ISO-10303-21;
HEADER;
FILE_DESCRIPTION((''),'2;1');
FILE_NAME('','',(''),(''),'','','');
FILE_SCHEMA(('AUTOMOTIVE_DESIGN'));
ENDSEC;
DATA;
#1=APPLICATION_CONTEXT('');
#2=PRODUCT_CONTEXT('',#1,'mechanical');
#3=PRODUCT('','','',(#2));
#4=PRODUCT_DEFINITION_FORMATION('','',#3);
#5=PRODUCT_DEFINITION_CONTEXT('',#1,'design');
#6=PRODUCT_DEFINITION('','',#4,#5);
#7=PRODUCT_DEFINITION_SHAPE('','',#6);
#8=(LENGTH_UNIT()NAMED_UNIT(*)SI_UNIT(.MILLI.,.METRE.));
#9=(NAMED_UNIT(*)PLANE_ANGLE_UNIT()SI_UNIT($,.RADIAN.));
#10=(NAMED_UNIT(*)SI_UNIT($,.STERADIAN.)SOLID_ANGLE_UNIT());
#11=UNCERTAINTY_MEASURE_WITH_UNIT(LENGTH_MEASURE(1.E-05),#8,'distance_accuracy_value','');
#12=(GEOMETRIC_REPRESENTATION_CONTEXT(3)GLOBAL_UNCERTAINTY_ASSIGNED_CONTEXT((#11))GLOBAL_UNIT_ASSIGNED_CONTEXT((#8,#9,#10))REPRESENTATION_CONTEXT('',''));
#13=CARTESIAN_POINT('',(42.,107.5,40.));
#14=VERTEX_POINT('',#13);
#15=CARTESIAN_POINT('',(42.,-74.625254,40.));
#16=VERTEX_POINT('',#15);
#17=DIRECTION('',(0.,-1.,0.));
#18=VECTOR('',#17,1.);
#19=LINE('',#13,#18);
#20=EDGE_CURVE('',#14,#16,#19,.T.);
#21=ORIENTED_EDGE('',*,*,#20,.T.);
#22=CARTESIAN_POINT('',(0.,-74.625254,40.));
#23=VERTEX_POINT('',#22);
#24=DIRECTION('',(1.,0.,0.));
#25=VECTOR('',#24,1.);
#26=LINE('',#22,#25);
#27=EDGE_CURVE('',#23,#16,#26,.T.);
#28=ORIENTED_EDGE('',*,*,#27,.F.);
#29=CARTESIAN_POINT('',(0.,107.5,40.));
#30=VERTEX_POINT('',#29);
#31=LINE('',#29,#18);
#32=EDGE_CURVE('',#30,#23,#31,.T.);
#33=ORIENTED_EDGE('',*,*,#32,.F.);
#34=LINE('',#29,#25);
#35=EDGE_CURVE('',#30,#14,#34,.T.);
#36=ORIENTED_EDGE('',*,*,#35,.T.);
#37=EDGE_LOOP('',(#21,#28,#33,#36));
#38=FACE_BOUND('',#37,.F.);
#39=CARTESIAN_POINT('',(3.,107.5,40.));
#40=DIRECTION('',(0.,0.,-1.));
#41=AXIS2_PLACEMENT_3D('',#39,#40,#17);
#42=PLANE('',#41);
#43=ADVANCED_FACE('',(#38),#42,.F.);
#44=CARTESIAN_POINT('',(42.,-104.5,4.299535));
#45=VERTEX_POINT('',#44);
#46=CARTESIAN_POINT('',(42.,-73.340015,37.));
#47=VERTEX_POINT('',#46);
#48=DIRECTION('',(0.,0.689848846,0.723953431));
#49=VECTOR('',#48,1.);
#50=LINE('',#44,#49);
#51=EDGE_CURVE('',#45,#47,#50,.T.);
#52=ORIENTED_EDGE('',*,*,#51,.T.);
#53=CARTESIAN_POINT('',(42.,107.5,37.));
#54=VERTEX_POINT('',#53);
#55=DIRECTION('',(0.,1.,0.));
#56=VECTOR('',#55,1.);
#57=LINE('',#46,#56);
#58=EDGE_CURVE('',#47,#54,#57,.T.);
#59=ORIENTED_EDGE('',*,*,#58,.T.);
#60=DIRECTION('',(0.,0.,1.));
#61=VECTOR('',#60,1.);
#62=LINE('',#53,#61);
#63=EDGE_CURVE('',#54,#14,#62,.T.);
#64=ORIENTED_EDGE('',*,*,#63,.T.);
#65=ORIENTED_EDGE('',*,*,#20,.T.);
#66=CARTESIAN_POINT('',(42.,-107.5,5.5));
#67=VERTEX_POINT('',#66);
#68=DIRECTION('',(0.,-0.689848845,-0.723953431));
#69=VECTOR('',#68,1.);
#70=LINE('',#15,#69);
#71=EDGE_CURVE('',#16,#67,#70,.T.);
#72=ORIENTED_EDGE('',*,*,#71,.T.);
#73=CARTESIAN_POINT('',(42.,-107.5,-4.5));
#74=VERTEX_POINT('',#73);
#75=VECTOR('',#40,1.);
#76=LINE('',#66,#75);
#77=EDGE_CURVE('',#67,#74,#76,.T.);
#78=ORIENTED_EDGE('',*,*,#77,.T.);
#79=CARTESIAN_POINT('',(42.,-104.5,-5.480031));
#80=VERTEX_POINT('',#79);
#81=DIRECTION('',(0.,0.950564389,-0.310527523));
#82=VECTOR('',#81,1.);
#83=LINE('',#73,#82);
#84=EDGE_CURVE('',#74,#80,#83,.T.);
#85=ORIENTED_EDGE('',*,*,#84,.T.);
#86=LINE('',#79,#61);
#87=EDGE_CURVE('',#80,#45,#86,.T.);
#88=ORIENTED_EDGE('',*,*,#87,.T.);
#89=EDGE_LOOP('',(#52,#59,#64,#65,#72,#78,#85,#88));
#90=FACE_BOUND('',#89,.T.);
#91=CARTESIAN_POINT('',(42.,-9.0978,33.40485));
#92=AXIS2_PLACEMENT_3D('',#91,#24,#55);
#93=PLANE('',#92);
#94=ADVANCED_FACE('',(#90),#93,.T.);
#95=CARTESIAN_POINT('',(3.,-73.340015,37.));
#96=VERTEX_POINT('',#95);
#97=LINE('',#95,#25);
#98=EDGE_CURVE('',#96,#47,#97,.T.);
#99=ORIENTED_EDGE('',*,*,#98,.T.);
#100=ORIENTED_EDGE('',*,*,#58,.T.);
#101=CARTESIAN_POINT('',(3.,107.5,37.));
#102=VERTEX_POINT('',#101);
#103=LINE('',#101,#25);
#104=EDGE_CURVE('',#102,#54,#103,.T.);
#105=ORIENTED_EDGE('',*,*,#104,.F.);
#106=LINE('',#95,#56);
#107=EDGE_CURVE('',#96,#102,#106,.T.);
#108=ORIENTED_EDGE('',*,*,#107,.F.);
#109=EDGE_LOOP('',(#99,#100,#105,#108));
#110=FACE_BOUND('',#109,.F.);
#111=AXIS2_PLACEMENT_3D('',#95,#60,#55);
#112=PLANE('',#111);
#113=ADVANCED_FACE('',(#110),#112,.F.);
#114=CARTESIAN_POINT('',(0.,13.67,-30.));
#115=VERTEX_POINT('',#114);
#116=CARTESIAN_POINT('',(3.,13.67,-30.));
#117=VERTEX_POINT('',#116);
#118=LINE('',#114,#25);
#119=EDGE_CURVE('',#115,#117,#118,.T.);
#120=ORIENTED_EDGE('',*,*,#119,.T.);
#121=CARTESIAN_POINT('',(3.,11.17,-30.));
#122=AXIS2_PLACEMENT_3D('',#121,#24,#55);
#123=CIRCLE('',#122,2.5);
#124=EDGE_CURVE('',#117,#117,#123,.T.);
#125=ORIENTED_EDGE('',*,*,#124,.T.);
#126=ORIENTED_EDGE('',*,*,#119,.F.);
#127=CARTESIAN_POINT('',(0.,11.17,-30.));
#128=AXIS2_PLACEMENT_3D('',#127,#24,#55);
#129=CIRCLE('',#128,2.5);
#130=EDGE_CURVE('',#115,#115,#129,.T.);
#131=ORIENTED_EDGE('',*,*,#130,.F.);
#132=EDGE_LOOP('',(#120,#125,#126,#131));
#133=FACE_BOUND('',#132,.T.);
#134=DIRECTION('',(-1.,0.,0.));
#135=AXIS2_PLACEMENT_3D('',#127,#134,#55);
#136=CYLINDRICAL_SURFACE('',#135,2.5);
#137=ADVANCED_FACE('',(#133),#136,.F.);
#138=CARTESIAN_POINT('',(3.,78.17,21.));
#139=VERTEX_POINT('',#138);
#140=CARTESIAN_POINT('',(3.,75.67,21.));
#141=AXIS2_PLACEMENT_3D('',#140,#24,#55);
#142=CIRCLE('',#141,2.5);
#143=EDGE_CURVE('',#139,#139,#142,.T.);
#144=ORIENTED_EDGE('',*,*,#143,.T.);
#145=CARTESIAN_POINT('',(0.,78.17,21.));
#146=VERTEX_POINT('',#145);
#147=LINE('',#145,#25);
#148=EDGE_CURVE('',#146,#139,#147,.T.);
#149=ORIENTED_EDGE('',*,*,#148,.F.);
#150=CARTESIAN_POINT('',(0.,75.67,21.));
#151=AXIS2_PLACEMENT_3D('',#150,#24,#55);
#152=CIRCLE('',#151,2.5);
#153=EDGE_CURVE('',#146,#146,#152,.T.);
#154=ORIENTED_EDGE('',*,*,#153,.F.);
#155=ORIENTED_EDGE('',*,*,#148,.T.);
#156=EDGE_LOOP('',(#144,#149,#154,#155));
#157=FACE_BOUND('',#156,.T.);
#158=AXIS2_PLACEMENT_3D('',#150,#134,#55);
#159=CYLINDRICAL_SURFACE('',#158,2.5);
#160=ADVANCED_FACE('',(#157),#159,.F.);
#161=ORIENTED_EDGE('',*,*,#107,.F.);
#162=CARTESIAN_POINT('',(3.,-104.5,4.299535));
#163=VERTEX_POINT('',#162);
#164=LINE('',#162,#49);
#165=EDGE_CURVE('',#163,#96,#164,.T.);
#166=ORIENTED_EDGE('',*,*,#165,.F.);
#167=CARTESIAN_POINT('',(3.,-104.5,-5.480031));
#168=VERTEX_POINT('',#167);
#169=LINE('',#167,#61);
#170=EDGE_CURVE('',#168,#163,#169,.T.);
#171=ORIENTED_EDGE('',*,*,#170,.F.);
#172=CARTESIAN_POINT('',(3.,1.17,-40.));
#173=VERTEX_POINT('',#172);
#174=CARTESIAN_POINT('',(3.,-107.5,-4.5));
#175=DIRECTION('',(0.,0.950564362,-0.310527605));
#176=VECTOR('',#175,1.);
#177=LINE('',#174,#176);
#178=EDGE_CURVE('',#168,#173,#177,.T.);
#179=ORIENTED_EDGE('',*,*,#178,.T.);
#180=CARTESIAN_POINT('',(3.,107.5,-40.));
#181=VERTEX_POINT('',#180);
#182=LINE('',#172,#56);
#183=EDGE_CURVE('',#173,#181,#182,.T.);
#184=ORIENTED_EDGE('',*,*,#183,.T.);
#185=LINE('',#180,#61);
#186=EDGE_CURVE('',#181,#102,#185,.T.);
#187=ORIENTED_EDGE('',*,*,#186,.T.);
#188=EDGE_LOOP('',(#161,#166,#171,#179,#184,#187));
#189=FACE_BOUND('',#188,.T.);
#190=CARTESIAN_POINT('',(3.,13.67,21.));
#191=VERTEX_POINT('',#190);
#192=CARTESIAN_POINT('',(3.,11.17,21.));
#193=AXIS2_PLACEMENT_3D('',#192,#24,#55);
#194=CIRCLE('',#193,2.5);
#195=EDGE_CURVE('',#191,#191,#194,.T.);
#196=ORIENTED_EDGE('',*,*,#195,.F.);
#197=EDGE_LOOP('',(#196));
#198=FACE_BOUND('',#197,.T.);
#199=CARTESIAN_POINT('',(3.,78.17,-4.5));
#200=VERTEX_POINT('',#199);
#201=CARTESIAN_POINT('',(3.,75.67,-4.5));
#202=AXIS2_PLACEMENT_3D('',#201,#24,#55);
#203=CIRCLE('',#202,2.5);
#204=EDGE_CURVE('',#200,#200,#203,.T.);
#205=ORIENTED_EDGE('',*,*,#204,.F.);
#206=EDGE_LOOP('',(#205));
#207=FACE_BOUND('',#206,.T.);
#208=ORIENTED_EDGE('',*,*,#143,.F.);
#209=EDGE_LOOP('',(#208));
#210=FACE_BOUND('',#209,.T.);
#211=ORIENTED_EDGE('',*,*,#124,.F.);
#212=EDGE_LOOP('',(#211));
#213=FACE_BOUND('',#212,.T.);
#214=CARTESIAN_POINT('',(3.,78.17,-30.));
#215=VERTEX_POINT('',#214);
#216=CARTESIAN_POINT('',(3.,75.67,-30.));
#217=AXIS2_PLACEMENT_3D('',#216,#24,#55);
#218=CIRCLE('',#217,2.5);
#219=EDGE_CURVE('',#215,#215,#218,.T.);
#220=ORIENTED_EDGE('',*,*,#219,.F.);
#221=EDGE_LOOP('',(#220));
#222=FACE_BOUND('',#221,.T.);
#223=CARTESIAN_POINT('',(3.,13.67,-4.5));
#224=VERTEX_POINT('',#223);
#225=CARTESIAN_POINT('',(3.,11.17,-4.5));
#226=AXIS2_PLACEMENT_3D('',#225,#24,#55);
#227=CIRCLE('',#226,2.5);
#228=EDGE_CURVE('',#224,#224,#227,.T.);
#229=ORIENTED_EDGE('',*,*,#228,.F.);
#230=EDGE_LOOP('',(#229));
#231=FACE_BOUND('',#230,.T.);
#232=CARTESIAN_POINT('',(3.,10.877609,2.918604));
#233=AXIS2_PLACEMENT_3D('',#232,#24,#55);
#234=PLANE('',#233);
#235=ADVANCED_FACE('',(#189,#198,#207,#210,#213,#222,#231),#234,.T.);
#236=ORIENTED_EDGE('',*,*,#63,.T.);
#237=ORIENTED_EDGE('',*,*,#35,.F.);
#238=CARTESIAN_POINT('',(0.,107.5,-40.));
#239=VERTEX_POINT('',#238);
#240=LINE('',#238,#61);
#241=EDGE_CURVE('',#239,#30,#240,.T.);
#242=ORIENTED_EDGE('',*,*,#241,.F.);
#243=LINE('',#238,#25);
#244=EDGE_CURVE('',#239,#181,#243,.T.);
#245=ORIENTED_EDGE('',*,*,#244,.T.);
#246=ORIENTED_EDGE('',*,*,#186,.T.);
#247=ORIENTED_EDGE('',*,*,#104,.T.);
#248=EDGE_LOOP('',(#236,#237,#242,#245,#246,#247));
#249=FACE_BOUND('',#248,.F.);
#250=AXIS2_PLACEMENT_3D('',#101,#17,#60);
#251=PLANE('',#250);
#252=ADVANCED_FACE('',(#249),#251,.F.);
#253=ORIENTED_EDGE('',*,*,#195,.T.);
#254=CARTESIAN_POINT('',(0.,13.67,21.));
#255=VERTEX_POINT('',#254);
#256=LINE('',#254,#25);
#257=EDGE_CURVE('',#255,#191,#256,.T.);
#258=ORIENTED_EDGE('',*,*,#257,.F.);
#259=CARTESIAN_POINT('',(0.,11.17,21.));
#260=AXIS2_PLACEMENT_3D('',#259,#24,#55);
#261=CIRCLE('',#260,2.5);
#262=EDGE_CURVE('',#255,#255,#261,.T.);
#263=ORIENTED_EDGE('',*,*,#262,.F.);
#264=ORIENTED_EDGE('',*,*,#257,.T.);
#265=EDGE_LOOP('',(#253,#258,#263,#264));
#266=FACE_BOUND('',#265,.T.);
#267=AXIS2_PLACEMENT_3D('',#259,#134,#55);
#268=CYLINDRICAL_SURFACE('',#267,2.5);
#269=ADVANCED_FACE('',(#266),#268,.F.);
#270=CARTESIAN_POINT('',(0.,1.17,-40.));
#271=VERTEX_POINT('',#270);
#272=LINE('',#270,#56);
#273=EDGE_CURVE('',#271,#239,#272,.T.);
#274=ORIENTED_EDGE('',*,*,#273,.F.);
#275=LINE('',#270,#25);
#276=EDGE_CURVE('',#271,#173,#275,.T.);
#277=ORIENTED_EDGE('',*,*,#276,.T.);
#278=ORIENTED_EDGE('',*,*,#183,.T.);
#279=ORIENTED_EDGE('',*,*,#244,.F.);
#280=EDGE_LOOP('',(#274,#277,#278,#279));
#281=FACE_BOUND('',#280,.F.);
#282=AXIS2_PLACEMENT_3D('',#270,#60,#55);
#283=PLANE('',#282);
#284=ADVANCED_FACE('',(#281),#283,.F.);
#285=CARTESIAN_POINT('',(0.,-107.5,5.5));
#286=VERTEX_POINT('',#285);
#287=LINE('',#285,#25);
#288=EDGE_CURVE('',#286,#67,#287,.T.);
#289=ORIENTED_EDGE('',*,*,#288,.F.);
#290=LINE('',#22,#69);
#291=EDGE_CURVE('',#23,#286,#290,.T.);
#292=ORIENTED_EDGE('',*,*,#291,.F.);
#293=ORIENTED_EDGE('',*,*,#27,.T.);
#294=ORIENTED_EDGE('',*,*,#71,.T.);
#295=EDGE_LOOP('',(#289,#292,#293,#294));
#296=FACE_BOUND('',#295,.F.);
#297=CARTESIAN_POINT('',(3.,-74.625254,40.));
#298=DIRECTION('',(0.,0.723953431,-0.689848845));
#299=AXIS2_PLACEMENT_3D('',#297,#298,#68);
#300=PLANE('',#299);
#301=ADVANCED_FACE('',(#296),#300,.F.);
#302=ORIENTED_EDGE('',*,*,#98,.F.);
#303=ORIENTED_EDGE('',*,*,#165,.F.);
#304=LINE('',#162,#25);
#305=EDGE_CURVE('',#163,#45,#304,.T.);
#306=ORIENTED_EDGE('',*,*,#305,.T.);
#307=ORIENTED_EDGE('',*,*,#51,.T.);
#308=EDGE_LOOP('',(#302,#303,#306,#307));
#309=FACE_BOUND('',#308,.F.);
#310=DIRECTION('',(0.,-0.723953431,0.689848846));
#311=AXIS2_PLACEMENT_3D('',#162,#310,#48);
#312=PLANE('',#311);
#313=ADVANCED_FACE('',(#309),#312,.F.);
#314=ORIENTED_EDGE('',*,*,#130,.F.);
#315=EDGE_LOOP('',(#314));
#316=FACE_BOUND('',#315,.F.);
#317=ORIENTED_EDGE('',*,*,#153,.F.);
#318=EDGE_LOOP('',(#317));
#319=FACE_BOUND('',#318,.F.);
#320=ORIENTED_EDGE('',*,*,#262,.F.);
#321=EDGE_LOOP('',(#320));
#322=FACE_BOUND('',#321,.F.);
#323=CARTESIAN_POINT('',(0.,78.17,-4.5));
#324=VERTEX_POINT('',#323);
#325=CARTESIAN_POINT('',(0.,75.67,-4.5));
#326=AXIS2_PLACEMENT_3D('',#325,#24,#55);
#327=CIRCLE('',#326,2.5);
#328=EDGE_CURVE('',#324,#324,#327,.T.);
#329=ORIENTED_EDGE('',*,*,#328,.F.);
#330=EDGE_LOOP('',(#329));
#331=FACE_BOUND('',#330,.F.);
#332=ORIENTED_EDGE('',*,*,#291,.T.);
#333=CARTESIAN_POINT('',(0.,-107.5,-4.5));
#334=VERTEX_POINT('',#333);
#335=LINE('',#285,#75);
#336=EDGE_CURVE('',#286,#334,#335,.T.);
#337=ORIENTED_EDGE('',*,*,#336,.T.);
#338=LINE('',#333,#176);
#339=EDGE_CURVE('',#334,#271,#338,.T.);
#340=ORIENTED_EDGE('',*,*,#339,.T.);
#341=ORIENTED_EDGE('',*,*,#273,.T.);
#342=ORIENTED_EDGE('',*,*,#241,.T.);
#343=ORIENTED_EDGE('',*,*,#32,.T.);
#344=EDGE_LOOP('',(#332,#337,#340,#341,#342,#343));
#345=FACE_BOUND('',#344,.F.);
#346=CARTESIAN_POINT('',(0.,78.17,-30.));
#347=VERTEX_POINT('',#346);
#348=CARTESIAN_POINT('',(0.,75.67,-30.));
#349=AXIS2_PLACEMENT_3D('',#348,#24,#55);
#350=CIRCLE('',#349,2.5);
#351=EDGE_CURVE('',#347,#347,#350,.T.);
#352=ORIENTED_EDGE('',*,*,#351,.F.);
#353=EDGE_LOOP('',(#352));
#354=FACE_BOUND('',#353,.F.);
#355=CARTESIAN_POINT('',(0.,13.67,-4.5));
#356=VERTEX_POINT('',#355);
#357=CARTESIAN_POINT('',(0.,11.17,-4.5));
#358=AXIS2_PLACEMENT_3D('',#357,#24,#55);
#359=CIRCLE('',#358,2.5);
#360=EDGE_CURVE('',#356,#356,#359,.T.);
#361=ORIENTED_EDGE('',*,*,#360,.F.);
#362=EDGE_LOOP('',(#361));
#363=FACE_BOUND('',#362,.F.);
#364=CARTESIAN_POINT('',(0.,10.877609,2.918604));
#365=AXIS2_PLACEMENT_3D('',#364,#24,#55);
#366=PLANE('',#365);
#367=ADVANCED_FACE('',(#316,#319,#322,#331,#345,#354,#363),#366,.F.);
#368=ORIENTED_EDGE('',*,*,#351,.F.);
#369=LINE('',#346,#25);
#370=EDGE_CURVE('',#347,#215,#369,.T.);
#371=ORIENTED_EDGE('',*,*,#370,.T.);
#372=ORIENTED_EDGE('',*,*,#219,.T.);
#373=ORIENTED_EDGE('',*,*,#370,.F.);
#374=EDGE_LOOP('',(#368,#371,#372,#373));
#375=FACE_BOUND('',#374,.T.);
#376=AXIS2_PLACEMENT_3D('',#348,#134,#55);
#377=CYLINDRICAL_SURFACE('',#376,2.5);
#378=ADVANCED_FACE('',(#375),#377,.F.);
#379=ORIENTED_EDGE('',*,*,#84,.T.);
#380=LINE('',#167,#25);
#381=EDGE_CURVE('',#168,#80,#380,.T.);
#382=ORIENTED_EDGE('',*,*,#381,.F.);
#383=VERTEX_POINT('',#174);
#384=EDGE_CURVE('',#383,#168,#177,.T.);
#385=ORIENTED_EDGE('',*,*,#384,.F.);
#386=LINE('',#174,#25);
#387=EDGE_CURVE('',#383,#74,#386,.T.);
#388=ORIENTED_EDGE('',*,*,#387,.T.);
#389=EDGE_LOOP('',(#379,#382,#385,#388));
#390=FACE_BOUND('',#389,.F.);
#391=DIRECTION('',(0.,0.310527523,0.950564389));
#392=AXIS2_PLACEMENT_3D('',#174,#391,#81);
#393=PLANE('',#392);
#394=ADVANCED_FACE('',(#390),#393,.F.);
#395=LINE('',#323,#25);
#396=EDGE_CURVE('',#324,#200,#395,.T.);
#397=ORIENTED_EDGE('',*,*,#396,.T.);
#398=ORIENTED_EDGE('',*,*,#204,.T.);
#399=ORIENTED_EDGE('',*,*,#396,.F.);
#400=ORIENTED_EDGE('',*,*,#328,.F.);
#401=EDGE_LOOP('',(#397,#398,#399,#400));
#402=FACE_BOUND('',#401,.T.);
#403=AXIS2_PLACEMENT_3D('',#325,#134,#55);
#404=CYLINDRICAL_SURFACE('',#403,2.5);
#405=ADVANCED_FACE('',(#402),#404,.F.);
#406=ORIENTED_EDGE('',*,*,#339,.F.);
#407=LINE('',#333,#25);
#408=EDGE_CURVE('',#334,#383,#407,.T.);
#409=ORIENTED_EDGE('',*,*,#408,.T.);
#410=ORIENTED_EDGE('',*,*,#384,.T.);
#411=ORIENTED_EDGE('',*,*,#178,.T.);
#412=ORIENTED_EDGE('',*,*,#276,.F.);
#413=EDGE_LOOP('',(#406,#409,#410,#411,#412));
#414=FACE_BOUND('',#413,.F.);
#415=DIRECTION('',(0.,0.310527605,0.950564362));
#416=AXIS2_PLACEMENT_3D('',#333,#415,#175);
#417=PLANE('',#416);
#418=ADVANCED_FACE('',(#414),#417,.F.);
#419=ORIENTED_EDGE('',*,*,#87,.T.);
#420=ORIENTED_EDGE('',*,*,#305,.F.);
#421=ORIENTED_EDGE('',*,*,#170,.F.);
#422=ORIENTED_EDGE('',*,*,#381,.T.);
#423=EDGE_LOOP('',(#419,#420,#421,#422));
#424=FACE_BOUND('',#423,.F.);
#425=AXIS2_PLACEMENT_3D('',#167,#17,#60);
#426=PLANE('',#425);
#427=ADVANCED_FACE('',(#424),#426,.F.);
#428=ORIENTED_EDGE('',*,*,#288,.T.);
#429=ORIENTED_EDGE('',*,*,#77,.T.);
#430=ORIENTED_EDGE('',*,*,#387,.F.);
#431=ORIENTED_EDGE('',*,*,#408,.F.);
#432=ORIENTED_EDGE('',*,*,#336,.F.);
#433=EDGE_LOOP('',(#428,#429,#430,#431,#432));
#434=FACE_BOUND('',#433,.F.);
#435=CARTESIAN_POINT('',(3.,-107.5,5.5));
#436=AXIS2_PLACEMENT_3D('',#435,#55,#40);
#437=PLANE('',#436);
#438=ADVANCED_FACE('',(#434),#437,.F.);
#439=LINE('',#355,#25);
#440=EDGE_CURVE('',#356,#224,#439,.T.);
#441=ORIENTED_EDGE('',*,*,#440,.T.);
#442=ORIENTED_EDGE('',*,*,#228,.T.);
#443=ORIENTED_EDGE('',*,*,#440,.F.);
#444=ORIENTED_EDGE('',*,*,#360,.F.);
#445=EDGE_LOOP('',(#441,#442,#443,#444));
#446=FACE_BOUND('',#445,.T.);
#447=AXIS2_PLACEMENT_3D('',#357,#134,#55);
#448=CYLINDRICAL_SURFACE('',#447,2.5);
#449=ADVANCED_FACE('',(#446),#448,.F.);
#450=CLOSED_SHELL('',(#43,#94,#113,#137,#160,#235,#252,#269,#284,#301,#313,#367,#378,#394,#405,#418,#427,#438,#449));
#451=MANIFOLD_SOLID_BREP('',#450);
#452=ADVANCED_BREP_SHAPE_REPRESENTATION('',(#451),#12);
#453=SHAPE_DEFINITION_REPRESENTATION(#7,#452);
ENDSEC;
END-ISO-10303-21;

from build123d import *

# Parameters (mm, degrees)
F0_R     = 2.5
F1_DEPTH = 3
F3_DEPTH = 39


with BuildPart() as f1:
    # F0 (on Right) → F1 (new body)
    with BuildSketch(Plane.YZ):
        Polygon((-107.5, -4.5), (1.17, -40), (107.5, -40), (107.5, 40), (-74.625254, 40), (-107.5, 5.5), align=None)
        with Locations((11.17, -30)):
            Circle(F0_R, mode=Mode.SUBTRACT)
        with Locations((75.67, -30)):
            Circle(F0_R, mode=Mode.SUBTRACT)
        with Locations((11.17, -4.5)):
            Circle(F0_R, mode=Mode.SUBTRACT)
        with Locations((75.67, -4.5)):
            Circle(F0_R, mode=Mode.SUBTRACT)
        with Locations((11.17, 21)):
            Circle(F0_R, mode=Mode.SUBTRACT)
        with Locations((75.67, 21)):
            Circle(F0_R, mode=Mode.SUBTRACT)
    extrude(amount=F1_DEPTH)

    # F2 (on face) → F3 (join)
    with BuildSketch(Plane.YZ.offset(3)):
        Polygon((-73.340015, 37), (107.5, 37), (107.5, 40), (-74.625254, 40), (-107.5, 5.5), (-107.5, -4.5), (-104.5, -5.480031), (-104.5, -4.5), (-104.5, 4.299535), align=None)
    extrude(amount=F3_DEPTH)


solid = f1.part
